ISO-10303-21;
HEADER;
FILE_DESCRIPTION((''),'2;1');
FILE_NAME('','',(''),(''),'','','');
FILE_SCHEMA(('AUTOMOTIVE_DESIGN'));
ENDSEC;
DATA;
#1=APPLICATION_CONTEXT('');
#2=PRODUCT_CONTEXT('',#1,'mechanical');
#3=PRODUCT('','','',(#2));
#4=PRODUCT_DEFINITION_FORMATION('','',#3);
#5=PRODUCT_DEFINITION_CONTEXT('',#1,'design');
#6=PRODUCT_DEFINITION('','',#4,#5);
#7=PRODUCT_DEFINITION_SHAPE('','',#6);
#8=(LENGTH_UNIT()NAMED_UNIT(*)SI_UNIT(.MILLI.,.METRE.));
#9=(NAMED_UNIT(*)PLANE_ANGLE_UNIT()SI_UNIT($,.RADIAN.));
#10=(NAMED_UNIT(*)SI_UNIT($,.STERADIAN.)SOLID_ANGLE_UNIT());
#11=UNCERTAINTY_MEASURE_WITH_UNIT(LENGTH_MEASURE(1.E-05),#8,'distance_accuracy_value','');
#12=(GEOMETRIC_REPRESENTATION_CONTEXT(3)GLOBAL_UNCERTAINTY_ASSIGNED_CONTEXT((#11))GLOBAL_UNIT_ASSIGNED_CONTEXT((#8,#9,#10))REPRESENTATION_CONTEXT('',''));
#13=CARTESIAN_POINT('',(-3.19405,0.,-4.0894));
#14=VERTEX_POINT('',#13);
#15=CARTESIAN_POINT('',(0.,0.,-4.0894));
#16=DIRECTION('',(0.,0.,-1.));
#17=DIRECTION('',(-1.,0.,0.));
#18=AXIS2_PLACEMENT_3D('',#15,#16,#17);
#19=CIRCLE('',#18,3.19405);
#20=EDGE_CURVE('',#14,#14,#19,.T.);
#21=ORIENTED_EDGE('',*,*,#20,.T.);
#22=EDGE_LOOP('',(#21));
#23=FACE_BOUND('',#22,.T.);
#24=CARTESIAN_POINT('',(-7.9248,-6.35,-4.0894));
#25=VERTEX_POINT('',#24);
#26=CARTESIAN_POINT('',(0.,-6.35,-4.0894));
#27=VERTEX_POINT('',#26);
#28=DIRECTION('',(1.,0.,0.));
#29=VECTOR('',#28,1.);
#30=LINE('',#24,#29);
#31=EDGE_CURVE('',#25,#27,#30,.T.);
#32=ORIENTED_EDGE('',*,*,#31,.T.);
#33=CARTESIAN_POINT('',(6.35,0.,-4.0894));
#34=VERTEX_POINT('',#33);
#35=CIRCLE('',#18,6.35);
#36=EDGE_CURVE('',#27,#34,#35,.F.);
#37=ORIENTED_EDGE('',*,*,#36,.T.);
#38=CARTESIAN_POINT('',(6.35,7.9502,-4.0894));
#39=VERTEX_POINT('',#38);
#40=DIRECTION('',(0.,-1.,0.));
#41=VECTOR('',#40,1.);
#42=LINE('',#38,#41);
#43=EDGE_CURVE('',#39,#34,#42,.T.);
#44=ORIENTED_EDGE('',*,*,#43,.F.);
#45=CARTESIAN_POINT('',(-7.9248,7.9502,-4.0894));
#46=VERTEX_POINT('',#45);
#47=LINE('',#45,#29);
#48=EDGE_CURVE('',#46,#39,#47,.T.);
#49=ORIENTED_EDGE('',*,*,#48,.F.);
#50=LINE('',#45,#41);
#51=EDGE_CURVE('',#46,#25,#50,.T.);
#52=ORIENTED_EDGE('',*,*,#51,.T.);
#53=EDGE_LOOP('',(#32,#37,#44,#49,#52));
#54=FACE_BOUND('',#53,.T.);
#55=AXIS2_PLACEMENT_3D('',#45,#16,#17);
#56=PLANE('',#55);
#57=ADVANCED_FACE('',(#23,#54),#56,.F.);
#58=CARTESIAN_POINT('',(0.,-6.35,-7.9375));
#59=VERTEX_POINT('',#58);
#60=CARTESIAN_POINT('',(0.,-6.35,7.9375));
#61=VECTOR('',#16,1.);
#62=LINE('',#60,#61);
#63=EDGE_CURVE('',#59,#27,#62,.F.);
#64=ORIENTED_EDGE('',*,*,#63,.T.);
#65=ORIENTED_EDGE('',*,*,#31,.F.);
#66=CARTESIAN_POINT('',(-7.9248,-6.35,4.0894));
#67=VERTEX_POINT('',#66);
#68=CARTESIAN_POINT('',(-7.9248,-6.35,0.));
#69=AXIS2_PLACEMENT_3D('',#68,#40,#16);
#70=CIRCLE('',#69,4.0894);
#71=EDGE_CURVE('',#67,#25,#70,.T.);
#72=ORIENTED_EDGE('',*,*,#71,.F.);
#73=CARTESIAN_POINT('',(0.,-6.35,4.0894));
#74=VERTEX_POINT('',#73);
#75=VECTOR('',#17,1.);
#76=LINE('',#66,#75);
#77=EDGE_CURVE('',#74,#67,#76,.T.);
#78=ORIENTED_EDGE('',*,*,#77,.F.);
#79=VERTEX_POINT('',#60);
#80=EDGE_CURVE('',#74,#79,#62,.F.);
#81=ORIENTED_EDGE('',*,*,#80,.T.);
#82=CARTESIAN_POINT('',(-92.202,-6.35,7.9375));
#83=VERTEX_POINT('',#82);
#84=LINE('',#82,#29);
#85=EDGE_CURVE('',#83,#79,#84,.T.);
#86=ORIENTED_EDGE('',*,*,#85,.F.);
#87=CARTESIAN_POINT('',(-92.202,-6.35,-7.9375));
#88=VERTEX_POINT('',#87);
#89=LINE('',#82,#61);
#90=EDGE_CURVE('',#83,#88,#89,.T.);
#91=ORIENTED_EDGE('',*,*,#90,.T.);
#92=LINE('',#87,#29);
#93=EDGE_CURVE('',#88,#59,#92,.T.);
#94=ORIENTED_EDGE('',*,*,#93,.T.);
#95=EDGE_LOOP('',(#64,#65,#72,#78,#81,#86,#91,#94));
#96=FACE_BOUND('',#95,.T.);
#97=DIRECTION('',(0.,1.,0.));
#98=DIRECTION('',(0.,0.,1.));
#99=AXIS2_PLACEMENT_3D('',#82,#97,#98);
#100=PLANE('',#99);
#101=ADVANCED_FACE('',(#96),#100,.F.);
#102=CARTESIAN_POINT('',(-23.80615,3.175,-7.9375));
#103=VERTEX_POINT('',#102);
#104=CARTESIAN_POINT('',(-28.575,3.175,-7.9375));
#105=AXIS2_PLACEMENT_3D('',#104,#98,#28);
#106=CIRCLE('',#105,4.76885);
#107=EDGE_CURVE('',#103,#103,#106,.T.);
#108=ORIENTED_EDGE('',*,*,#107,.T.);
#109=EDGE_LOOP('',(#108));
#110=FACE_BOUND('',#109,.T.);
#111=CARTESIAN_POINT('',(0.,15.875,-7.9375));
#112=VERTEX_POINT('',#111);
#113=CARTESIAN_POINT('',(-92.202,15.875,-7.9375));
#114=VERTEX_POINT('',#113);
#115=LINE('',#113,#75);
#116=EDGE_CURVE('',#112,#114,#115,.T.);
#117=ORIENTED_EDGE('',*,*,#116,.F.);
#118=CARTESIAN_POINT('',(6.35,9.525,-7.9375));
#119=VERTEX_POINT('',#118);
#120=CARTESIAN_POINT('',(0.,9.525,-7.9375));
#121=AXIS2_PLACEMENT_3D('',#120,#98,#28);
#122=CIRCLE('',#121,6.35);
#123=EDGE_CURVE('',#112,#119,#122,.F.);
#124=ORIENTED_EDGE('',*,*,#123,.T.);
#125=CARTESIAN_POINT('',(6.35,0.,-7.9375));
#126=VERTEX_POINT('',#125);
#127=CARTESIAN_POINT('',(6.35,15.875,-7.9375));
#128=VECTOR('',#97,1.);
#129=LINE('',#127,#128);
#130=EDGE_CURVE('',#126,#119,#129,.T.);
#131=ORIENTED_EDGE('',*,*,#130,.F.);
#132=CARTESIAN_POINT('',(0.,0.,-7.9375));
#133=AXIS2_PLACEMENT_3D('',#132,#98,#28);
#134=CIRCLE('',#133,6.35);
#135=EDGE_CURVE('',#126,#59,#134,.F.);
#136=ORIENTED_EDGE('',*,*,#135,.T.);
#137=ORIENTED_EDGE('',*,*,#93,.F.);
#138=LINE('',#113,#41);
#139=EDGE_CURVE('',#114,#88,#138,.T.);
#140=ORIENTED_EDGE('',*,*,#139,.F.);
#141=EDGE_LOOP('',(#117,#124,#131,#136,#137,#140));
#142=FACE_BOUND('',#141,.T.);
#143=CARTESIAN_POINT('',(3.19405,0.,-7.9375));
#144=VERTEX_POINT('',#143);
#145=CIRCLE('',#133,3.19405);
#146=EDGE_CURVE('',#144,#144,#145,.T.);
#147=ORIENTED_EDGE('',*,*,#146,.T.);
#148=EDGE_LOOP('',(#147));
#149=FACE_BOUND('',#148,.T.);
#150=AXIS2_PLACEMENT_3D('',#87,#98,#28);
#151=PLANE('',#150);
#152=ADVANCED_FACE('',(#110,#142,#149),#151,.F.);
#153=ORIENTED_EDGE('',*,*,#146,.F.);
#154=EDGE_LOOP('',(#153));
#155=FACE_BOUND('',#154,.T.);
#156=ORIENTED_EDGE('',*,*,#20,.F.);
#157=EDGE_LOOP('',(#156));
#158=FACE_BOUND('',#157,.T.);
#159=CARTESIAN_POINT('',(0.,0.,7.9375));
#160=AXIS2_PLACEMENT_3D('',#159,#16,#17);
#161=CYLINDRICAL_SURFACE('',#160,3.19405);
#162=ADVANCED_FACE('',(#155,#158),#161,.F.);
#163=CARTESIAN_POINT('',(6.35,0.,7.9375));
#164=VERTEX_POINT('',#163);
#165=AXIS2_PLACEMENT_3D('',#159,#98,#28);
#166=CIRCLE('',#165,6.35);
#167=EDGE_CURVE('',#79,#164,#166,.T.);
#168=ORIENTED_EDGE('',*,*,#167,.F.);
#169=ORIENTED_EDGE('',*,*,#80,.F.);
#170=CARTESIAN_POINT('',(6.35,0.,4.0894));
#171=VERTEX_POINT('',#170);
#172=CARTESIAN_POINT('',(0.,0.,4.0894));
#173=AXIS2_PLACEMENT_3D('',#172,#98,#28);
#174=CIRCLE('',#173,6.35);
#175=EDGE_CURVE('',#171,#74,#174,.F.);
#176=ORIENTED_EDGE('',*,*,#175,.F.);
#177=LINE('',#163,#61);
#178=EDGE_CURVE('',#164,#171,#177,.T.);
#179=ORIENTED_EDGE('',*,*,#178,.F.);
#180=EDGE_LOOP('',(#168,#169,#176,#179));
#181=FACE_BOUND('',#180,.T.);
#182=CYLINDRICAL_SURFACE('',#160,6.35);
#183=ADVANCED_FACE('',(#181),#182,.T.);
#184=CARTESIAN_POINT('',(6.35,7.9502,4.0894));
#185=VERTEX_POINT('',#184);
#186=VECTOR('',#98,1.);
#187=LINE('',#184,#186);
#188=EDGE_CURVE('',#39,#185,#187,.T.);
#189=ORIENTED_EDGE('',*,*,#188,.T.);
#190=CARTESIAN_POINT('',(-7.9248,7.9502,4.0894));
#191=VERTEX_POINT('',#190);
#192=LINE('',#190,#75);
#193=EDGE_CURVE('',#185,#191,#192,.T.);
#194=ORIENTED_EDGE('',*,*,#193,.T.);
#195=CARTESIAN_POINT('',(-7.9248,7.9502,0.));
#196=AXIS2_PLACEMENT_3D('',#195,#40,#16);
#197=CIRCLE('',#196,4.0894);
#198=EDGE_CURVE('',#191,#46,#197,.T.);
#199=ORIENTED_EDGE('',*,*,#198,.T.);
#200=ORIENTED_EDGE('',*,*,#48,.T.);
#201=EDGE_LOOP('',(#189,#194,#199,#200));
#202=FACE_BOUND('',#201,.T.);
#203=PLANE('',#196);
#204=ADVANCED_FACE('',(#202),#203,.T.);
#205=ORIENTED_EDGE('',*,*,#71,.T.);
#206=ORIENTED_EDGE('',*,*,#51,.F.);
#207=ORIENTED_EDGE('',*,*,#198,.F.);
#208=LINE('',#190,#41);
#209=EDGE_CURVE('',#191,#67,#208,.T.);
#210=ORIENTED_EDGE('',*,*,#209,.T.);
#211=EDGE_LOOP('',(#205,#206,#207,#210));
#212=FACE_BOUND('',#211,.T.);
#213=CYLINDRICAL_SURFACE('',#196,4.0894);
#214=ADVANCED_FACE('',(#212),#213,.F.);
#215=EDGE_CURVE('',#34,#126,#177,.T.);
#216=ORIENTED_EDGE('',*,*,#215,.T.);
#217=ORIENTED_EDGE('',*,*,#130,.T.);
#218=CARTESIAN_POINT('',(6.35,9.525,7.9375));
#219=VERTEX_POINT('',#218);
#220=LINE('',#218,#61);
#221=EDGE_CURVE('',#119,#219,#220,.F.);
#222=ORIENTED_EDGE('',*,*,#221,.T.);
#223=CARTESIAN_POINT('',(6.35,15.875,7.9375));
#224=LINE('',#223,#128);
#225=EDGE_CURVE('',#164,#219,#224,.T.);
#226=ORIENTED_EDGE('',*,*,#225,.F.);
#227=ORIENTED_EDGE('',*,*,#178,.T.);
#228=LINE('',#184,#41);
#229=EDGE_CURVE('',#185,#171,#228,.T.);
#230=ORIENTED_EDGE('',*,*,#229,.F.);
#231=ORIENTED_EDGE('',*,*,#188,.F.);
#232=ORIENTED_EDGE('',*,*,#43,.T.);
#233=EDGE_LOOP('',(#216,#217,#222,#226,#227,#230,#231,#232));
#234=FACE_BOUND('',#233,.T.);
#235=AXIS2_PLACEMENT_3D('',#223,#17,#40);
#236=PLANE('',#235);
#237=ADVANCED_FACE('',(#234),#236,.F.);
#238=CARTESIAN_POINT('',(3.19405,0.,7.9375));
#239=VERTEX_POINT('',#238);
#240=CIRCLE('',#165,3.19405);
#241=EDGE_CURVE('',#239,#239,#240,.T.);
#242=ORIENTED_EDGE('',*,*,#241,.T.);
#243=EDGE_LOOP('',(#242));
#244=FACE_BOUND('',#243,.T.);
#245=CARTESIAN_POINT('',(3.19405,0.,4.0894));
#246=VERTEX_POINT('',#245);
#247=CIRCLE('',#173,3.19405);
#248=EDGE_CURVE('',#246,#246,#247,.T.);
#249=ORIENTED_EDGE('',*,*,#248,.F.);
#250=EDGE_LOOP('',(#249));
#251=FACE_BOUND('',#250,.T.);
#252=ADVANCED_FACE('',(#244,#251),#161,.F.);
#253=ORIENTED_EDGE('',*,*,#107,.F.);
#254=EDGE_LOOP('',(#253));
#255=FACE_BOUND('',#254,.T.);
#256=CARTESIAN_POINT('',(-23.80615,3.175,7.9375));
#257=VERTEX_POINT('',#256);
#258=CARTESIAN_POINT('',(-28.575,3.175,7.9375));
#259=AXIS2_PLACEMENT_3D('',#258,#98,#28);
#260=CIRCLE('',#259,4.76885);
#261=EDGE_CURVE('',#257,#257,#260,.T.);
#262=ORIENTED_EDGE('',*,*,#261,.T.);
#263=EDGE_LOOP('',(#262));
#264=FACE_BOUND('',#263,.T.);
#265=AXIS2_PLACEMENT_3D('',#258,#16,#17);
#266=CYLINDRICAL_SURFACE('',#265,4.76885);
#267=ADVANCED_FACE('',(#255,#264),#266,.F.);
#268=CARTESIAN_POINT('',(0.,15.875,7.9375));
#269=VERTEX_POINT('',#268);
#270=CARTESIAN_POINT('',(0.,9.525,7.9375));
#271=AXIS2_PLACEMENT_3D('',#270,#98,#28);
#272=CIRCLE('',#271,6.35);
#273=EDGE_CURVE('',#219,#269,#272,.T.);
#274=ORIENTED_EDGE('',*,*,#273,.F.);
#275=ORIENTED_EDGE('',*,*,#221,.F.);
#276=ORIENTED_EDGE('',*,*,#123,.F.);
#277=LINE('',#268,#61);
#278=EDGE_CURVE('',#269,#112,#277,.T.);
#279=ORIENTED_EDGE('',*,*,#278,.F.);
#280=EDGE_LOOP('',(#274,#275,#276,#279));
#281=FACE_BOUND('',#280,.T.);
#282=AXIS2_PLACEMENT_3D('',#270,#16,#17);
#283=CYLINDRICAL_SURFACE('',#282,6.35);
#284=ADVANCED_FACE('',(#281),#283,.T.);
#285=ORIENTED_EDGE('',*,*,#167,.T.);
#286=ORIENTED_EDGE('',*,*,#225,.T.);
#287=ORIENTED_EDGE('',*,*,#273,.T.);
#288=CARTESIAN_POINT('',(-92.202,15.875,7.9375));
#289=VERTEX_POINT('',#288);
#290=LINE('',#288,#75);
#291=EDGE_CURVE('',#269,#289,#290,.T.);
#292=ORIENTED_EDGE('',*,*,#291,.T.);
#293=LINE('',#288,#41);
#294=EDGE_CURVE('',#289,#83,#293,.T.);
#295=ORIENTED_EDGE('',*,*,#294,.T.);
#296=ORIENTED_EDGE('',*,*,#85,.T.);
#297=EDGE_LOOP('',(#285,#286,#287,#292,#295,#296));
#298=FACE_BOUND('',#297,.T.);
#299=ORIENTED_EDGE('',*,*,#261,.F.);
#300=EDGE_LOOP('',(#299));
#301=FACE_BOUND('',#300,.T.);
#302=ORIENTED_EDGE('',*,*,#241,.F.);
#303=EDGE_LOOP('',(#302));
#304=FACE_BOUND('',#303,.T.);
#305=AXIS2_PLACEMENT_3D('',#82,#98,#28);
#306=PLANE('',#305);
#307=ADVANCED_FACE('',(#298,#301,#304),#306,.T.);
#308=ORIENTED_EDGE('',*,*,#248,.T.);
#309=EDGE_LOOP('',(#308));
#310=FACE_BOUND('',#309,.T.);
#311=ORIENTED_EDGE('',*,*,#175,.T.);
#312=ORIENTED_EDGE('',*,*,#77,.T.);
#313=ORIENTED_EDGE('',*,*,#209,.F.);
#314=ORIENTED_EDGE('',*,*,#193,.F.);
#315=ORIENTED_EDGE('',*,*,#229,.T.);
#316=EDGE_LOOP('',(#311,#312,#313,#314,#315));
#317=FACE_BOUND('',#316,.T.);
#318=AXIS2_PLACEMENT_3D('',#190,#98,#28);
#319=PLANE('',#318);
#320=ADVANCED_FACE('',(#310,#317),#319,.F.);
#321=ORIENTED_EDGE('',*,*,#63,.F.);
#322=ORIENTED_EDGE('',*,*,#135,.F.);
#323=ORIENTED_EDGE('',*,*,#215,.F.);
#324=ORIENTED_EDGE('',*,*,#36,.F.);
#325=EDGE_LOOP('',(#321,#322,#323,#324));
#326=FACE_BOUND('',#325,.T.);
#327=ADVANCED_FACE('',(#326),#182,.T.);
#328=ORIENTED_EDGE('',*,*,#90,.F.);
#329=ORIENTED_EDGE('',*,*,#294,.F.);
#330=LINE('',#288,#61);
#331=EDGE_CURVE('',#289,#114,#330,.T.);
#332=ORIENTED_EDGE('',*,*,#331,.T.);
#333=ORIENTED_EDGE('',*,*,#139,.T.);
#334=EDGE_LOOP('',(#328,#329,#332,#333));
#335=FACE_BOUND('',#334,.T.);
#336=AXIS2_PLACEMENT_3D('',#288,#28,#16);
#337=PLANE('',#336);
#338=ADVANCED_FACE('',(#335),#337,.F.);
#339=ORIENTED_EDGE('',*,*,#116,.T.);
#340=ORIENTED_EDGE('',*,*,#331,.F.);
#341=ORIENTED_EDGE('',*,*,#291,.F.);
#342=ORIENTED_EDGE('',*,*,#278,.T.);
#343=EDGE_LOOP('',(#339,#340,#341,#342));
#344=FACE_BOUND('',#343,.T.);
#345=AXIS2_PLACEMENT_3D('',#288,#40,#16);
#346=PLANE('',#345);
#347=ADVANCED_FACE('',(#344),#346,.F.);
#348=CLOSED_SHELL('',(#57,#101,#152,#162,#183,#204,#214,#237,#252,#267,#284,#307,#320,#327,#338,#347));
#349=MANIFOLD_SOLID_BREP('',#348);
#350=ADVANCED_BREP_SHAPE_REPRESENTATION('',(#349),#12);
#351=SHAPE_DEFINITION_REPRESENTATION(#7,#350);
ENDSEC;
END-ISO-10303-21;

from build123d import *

# Parameters (mm, degrees)
SKETCH11_W         = 98.552
SKETCH11_H         = 22.225
SKETCH11_R         = 3.19405
SKETCH11_R_2       = 4.76885
EXTRUDE3_DEPTH     = 7.9375
CUT_EXTRUDE1_DEPTH = 14.3002
FILLET1_R          = 6.35


with BuildPart() as part:
    # Sketch11 → Extrude3 (new body, symmetric)
    with BuildSketch(Plane.XY):
        with Locations((-42.926, 4.7625)):
            Rectangle(SKETCH11_W, SKETCH11_H)
        Circle(SKETCH11_R, mode=Mode.SUBTRACT)
        with Locations((-28.575, 3.175)):
            Circle(SKETCH11_R_2, mode=Mode.SUBTRACT)
    extrude(amount=EXTRUDE3_DEPTH, both=True)

    # Sketch12 → Cut-Extrude1 (cut)
    with BuildSketch(Plane.XZ.offset(6.35)):
        with BuildLine():
            Line((-7.9248, 4.0894), (6.35, 4.0894))
            Line((6.35, 4.0894), (6.35, -4.0894))
            Line((6.35, -4.0894), (-7.9248, -4.0894))
            ThreePointArc((-7.9248, -4.0894), (-12.0142, 0), (-7.9248, 4.0894))
        make_face()
    extrude(amount=-CUT_EXTRUDE1_DEPTH, mode=Mode.SUBTRACT)

    # Fillet1
    fillet1_edges = [part.edges().sort_by_distance(p)[0] for p in [
        (6.35, -6.35, -6.01345),
        (6.35, 15.875, 0),
        (6.35, -6.35, 6.01345),
    ]]
    fillet(fillet1_edges, radius=FILLET1_R)


solid = part.part
